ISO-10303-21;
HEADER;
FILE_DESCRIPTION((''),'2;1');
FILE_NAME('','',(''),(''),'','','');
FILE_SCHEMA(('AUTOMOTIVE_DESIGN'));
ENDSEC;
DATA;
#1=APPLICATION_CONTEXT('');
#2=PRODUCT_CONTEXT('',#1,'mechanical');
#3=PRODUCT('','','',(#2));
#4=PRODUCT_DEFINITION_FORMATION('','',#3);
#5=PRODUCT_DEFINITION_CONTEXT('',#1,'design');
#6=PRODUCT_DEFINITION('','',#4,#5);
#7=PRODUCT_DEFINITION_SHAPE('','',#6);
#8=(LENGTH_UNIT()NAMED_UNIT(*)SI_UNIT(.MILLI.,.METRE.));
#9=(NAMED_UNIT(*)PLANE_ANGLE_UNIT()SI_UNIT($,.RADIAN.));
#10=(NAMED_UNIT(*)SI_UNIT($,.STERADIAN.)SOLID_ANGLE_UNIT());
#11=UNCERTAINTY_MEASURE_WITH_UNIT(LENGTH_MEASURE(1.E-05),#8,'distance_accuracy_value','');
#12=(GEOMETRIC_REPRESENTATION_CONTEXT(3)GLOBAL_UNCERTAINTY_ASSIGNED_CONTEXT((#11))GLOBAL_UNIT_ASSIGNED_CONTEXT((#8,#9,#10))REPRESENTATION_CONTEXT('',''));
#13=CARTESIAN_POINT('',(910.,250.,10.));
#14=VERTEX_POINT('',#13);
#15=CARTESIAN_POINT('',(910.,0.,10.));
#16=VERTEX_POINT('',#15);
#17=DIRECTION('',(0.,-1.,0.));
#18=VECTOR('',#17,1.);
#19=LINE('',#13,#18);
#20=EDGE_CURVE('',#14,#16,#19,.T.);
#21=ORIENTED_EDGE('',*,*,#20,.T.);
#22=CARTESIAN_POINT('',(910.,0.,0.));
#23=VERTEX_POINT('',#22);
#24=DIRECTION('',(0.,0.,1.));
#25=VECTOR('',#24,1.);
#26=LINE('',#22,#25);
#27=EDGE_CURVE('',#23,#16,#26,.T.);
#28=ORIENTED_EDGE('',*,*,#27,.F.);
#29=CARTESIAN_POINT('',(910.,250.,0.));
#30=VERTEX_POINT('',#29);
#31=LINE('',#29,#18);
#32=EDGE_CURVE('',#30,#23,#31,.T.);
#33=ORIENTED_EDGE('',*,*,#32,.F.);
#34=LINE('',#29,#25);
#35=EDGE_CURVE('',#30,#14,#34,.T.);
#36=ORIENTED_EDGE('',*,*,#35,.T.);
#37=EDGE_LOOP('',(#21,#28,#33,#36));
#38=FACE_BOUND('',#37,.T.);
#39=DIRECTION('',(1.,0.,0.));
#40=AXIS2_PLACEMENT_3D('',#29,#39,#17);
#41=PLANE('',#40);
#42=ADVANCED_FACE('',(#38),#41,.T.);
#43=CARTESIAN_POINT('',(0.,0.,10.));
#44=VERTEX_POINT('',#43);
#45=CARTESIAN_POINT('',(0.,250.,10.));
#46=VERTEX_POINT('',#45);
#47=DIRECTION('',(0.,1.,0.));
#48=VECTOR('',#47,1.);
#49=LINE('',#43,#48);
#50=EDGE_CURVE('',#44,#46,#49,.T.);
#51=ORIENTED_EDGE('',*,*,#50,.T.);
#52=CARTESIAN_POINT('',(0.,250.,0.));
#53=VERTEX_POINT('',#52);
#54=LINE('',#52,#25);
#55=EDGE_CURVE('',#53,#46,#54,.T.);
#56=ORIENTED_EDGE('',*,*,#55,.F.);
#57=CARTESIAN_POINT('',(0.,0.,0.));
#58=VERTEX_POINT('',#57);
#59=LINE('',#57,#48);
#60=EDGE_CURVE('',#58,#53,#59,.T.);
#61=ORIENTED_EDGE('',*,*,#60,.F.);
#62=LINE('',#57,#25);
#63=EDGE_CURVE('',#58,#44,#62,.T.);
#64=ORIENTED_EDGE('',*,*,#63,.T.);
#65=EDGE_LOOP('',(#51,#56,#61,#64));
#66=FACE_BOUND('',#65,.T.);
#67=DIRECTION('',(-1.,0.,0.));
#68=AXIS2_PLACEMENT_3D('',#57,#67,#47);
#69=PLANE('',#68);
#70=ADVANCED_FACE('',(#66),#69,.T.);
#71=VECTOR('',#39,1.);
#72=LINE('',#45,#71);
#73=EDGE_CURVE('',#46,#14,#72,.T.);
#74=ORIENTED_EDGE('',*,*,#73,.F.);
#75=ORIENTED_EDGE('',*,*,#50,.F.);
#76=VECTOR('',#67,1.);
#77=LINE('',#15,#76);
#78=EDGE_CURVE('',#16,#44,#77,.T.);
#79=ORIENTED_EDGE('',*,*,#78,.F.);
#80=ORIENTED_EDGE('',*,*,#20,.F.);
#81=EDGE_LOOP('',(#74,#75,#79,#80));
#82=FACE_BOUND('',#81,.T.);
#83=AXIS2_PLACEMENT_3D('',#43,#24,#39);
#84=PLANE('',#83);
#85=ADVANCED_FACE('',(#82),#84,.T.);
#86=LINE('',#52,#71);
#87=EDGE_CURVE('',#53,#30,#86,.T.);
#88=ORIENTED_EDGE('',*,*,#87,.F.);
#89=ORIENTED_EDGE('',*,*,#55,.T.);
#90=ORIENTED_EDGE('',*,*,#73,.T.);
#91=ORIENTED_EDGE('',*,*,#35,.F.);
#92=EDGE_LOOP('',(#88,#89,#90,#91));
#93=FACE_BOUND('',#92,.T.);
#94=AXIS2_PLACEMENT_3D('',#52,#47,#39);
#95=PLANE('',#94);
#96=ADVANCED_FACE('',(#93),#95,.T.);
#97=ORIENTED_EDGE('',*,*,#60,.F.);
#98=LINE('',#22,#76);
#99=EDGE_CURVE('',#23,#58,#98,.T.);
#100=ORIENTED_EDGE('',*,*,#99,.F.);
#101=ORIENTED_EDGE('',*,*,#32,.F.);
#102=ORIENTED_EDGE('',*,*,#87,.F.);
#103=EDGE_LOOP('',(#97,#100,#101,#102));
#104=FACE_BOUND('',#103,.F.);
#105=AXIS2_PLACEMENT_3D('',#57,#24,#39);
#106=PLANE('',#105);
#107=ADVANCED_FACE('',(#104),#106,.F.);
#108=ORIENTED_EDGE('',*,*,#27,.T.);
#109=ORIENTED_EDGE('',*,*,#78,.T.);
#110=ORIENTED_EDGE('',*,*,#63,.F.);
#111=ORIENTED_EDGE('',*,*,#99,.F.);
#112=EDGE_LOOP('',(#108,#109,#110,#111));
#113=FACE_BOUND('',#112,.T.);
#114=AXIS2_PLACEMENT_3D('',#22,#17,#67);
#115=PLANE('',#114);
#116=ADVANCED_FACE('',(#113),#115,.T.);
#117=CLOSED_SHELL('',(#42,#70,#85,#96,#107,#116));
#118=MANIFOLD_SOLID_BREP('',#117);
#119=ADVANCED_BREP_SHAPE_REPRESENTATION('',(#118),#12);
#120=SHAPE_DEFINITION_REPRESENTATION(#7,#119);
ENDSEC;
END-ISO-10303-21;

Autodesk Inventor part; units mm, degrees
ref_plane "YZ Plane" through (0, 0, 0) normal (1, 0, 0) x (0, 1, 0)
ref_plane "XZ Plane" through (0, 0, 0) normal (0, 1, 0) x (-1, 0, 0)
ref_plane "XY Plane" through (0, 0, 0) normal (0, 0, 1) x (1, 0, 0)
sketch "Sketch4" plane through (0, 0, 0) normal (0, 0, 1) x (1, 0, 0)
  line L0 (0, 0) -> (0, 250)
  line L1 (0, 0) -> (250, 0) construction
  line L2 (0, 250) -> (910, 250)
  line L3 (910, 250) -> (910, 0)
  line L4 (910, 0) -> (0, 0)
  dimension "d3" = 250
  dimension "d4" = 90
  dimension "d5" = 910
  dimension "d6" = 90
  dimension "d7" = 250
  dimension "d8" = 90
extrude "Extrusion1" add sketch "Sketch4" along normal blind 10
properties part number "wall_plate_950 v1" material "Copper"
